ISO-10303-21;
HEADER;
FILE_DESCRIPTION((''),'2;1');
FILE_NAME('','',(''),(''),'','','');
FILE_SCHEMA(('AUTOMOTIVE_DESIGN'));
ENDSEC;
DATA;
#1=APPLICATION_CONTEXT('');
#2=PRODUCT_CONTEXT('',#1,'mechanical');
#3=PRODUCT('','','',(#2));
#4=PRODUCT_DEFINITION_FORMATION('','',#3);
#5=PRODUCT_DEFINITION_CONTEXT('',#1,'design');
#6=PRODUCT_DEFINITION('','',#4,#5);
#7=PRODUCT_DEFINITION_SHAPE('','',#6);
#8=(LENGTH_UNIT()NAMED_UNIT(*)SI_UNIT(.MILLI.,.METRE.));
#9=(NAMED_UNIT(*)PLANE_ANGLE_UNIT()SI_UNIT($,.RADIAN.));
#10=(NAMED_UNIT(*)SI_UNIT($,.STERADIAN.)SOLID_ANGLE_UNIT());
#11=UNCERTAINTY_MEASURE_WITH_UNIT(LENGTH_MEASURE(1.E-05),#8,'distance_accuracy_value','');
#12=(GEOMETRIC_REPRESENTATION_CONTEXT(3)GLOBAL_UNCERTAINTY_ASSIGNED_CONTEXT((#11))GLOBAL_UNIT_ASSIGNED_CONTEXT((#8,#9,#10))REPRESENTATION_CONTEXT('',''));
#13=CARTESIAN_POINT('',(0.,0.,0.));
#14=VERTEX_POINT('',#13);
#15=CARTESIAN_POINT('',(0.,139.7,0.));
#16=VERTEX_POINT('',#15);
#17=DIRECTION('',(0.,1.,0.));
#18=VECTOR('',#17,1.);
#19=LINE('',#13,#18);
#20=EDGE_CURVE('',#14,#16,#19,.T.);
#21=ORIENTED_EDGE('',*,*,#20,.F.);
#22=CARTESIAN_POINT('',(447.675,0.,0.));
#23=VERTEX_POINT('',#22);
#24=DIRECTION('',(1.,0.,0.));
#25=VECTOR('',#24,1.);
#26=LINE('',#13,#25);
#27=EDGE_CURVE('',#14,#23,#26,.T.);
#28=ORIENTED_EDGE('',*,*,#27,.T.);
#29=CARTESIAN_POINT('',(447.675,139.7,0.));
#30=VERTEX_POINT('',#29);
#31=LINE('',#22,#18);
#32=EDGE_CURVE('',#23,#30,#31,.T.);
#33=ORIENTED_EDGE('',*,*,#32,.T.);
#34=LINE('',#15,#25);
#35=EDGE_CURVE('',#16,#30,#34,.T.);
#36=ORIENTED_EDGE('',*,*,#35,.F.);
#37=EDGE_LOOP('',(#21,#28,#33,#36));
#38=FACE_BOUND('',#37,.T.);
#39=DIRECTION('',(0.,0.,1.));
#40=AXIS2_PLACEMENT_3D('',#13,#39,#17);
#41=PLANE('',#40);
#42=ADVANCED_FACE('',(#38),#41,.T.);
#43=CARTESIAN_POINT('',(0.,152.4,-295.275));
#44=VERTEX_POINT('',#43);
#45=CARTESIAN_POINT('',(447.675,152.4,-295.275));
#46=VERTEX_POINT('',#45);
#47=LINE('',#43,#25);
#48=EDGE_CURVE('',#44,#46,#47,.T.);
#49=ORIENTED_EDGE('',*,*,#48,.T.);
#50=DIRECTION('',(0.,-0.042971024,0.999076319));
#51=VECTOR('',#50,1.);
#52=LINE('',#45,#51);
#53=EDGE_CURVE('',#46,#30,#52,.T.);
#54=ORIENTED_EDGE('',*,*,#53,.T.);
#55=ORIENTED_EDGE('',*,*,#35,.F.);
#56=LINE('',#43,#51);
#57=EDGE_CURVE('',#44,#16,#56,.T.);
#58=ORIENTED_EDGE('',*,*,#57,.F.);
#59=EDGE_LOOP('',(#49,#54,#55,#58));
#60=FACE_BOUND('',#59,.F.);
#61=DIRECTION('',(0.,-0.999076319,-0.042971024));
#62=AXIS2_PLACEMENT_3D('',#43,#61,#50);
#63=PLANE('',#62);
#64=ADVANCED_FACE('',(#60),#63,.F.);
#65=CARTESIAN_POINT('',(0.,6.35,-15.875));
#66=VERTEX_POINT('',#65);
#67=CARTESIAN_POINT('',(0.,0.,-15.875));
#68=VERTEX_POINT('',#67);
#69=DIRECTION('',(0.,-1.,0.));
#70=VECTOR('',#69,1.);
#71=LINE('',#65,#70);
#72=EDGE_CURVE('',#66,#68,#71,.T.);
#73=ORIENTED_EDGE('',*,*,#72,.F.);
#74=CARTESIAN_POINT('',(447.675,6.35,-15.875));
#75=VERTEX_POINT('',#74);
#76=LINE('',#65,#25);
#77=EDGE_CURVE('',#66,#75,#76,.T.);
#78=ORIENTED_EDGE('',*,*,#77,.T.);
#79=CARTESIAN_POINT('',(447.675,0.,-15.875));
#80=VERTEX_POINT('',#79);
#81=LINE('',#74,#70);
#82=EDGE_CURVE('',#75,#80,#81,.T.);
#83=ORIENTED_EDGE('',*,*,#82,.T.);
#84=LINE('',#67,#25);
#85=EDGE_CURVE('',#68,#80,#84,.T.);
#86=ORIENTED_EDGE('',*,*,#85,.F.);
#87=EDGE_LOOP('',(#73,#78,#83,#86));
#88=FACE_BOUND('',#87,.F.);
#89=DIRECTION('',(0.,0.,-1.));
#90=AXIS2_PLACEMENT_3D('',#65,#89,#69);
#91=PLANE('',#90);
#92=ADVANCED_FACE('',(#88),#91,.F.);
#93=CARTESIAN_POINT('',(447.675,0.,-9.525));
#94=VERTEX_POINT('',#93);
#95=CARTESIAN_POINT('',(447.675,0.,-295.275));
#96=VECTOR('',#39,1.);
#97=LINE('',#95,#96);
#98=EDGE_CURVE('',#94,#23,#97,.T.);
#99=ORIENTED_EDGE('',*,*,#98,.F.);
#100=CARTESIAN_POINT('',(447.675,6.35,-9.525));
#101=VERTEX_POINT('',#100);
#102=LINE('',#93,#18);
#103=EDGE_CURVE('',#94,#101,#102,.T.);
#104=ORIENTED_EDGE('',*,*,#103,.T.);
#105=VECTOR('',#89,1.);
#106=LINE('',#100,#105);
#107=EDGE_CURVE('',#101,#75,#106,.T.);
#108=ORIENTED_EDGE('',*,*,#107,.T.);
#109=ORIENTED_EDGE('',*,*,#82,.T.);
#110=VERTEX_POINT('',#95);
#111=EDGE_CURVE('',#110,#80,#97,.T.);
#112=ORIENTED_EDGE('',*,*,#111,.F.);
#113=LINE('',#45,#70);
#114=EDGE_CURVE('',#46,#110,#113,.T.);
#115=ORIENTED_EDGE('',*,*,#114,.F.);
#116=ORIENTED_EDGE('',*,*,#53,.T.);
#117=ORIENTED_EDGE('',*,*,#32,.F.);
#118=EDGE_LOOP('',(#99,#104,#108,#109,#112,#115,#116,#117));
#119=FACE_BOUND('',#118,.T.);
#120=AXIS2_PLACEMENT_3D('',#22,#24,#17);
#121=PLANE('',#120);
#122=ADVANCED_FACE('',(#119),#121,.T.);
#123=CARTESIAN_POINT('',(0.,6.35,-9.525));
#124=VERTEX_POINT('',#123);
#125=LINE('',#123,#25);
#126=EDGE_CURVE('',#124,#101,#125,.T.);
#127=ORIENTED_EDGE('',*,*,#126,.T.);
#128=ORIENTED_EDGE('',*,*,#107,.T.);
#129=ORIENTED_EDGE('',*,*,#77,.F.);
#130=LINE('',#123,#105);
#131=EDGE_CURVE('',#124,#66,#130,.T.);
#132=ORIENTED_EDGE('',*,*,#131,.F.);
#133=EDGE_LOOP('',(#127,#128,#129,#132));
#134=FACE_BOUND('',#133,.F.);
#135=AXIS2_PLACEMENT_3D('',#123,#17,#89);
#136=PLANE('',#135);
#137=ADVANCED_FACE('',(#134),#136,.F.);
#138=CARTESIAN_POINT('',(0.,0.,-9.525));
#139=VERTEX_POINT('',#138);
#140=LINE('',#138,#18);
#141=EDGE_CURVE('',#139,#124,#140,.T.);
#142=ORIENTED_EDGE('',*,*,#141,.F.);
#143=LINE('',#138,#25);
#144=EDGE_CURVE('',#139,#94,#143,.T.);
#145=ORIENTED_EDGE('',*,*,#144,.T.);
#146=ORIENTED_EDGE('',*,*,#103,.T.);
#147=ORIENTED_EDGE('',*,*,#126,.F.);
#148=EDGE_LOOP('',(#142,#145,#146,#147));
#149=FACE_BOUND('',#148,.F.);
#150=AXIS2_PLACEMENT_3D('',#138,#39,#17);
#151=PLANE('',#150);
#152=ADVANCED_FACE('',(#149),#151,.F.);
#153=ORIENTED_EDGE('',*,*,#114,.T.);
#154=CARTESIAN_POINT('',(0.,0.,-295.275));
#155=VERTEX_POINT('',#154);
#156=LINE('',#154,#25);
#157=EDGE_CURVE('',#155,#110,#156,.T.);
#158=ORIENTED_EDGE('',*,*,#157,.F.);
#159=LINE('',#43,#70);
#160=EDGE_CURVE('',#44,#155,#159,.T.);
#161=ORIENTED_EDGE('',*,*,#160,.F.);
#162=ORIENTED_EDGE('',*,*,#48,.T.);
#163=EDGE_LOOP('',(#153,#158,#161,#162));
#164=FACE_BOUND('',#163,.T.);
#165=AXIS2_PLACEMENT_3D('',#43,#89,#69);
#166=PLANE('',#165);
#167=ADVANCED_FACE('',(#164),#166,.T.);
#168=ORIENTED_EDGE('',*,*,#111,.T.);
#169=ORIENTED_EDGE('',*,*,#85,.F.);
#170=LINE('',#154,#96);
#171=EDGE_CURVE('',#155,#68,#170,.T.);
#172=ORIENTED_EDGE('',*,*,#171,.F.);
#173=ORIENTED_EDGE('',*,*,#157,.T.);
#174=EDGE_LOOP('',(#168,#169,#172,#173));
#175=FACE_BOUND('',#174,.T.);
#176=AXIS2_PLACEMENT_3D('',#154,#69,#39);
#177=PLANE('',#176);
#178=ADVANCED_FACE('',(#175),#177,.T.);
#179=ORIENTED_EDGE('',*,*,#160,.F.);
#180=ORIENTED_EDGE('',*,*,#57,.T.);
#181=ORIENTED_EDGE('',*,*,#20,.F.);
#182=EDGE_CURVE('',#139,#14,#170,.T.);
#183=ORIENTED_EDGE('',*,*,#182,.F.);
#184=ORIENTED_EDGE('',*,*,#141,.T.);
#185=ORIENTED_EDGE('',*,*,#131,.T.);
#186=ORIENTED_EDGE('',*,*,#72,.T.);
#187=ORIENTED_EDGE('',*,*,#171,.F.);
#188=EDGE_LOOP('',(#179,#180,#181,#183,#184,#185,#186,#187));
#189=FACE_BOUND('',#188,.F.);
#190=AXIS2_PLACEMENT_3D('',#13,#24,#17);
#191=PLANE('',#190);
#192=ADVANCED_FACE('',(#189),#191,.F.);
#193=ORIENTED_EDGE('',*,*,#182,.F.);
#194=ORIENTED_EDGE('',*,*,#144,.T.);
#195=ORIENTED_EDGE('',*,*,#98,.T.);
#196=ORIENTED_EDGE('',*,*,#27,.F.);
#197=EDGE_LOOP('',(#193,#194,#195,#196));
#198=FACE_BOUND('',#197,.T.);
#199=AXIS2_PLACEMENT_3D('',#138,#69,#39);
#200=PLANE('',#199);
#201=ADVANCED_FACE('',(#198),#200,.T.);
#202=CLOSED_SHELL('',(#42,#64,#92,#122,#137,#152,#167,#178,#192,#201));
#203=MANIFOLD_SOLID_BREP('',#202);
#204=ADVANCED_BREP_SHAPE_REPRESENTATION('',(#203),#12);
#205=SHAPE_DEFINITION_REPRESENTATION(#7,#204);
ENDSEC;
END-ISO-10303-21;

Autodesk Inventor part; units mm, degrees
ref_plane "YZ Plane" through (0, 0, 0) normal (1, 0, 0) x (0, 1, 0)
ref_plane "XZ Plane" through (0, 0, 0) normal (0, 1, 0) x (-1, 0, 0)
ref_plane "XY Plane" through (0, 0, 0) normal (0, 0, 1) x (1, 0, 0)
sketch "Sketch2" plane through (0, 0, 0) normal (1, 0, 0) x (0, 1, 0)
  line L0 (0, 0) -> (152.4, 0)
  line L1 (152.4, 0) -> (152.4, -295.275)
  line L2 (152.4, -295.275) -> (0, -295.275)
  line L3 (0, -295.275) -> (0, 0)
  line L4 (152.4, -295.275) -> (139.7, 0)
  line L5 (0, -9.525) -> (6.35, -9.525)
  line L6 (6.35, -9.525) -> (6.35, -15.875)
  line L7 (6.35, -15.875) -> (0, -15.875)
  line L8 (0, -15.875) -> (0, -9.525)
  point P0 (0, -15.875)
  dimension "d4" = 152.4
  dimension "d5" = 295.275
  dimension "d6" = 12.7
  dimension "d7" = 6.35
  dimension "d8" = 6.35
  dimension "d9" = 9.525
extrude "Extrusion2" add sketch "Sketch2" along normal blind 447.675 contours L0 L4 L2 L3 L7 L6 L5
